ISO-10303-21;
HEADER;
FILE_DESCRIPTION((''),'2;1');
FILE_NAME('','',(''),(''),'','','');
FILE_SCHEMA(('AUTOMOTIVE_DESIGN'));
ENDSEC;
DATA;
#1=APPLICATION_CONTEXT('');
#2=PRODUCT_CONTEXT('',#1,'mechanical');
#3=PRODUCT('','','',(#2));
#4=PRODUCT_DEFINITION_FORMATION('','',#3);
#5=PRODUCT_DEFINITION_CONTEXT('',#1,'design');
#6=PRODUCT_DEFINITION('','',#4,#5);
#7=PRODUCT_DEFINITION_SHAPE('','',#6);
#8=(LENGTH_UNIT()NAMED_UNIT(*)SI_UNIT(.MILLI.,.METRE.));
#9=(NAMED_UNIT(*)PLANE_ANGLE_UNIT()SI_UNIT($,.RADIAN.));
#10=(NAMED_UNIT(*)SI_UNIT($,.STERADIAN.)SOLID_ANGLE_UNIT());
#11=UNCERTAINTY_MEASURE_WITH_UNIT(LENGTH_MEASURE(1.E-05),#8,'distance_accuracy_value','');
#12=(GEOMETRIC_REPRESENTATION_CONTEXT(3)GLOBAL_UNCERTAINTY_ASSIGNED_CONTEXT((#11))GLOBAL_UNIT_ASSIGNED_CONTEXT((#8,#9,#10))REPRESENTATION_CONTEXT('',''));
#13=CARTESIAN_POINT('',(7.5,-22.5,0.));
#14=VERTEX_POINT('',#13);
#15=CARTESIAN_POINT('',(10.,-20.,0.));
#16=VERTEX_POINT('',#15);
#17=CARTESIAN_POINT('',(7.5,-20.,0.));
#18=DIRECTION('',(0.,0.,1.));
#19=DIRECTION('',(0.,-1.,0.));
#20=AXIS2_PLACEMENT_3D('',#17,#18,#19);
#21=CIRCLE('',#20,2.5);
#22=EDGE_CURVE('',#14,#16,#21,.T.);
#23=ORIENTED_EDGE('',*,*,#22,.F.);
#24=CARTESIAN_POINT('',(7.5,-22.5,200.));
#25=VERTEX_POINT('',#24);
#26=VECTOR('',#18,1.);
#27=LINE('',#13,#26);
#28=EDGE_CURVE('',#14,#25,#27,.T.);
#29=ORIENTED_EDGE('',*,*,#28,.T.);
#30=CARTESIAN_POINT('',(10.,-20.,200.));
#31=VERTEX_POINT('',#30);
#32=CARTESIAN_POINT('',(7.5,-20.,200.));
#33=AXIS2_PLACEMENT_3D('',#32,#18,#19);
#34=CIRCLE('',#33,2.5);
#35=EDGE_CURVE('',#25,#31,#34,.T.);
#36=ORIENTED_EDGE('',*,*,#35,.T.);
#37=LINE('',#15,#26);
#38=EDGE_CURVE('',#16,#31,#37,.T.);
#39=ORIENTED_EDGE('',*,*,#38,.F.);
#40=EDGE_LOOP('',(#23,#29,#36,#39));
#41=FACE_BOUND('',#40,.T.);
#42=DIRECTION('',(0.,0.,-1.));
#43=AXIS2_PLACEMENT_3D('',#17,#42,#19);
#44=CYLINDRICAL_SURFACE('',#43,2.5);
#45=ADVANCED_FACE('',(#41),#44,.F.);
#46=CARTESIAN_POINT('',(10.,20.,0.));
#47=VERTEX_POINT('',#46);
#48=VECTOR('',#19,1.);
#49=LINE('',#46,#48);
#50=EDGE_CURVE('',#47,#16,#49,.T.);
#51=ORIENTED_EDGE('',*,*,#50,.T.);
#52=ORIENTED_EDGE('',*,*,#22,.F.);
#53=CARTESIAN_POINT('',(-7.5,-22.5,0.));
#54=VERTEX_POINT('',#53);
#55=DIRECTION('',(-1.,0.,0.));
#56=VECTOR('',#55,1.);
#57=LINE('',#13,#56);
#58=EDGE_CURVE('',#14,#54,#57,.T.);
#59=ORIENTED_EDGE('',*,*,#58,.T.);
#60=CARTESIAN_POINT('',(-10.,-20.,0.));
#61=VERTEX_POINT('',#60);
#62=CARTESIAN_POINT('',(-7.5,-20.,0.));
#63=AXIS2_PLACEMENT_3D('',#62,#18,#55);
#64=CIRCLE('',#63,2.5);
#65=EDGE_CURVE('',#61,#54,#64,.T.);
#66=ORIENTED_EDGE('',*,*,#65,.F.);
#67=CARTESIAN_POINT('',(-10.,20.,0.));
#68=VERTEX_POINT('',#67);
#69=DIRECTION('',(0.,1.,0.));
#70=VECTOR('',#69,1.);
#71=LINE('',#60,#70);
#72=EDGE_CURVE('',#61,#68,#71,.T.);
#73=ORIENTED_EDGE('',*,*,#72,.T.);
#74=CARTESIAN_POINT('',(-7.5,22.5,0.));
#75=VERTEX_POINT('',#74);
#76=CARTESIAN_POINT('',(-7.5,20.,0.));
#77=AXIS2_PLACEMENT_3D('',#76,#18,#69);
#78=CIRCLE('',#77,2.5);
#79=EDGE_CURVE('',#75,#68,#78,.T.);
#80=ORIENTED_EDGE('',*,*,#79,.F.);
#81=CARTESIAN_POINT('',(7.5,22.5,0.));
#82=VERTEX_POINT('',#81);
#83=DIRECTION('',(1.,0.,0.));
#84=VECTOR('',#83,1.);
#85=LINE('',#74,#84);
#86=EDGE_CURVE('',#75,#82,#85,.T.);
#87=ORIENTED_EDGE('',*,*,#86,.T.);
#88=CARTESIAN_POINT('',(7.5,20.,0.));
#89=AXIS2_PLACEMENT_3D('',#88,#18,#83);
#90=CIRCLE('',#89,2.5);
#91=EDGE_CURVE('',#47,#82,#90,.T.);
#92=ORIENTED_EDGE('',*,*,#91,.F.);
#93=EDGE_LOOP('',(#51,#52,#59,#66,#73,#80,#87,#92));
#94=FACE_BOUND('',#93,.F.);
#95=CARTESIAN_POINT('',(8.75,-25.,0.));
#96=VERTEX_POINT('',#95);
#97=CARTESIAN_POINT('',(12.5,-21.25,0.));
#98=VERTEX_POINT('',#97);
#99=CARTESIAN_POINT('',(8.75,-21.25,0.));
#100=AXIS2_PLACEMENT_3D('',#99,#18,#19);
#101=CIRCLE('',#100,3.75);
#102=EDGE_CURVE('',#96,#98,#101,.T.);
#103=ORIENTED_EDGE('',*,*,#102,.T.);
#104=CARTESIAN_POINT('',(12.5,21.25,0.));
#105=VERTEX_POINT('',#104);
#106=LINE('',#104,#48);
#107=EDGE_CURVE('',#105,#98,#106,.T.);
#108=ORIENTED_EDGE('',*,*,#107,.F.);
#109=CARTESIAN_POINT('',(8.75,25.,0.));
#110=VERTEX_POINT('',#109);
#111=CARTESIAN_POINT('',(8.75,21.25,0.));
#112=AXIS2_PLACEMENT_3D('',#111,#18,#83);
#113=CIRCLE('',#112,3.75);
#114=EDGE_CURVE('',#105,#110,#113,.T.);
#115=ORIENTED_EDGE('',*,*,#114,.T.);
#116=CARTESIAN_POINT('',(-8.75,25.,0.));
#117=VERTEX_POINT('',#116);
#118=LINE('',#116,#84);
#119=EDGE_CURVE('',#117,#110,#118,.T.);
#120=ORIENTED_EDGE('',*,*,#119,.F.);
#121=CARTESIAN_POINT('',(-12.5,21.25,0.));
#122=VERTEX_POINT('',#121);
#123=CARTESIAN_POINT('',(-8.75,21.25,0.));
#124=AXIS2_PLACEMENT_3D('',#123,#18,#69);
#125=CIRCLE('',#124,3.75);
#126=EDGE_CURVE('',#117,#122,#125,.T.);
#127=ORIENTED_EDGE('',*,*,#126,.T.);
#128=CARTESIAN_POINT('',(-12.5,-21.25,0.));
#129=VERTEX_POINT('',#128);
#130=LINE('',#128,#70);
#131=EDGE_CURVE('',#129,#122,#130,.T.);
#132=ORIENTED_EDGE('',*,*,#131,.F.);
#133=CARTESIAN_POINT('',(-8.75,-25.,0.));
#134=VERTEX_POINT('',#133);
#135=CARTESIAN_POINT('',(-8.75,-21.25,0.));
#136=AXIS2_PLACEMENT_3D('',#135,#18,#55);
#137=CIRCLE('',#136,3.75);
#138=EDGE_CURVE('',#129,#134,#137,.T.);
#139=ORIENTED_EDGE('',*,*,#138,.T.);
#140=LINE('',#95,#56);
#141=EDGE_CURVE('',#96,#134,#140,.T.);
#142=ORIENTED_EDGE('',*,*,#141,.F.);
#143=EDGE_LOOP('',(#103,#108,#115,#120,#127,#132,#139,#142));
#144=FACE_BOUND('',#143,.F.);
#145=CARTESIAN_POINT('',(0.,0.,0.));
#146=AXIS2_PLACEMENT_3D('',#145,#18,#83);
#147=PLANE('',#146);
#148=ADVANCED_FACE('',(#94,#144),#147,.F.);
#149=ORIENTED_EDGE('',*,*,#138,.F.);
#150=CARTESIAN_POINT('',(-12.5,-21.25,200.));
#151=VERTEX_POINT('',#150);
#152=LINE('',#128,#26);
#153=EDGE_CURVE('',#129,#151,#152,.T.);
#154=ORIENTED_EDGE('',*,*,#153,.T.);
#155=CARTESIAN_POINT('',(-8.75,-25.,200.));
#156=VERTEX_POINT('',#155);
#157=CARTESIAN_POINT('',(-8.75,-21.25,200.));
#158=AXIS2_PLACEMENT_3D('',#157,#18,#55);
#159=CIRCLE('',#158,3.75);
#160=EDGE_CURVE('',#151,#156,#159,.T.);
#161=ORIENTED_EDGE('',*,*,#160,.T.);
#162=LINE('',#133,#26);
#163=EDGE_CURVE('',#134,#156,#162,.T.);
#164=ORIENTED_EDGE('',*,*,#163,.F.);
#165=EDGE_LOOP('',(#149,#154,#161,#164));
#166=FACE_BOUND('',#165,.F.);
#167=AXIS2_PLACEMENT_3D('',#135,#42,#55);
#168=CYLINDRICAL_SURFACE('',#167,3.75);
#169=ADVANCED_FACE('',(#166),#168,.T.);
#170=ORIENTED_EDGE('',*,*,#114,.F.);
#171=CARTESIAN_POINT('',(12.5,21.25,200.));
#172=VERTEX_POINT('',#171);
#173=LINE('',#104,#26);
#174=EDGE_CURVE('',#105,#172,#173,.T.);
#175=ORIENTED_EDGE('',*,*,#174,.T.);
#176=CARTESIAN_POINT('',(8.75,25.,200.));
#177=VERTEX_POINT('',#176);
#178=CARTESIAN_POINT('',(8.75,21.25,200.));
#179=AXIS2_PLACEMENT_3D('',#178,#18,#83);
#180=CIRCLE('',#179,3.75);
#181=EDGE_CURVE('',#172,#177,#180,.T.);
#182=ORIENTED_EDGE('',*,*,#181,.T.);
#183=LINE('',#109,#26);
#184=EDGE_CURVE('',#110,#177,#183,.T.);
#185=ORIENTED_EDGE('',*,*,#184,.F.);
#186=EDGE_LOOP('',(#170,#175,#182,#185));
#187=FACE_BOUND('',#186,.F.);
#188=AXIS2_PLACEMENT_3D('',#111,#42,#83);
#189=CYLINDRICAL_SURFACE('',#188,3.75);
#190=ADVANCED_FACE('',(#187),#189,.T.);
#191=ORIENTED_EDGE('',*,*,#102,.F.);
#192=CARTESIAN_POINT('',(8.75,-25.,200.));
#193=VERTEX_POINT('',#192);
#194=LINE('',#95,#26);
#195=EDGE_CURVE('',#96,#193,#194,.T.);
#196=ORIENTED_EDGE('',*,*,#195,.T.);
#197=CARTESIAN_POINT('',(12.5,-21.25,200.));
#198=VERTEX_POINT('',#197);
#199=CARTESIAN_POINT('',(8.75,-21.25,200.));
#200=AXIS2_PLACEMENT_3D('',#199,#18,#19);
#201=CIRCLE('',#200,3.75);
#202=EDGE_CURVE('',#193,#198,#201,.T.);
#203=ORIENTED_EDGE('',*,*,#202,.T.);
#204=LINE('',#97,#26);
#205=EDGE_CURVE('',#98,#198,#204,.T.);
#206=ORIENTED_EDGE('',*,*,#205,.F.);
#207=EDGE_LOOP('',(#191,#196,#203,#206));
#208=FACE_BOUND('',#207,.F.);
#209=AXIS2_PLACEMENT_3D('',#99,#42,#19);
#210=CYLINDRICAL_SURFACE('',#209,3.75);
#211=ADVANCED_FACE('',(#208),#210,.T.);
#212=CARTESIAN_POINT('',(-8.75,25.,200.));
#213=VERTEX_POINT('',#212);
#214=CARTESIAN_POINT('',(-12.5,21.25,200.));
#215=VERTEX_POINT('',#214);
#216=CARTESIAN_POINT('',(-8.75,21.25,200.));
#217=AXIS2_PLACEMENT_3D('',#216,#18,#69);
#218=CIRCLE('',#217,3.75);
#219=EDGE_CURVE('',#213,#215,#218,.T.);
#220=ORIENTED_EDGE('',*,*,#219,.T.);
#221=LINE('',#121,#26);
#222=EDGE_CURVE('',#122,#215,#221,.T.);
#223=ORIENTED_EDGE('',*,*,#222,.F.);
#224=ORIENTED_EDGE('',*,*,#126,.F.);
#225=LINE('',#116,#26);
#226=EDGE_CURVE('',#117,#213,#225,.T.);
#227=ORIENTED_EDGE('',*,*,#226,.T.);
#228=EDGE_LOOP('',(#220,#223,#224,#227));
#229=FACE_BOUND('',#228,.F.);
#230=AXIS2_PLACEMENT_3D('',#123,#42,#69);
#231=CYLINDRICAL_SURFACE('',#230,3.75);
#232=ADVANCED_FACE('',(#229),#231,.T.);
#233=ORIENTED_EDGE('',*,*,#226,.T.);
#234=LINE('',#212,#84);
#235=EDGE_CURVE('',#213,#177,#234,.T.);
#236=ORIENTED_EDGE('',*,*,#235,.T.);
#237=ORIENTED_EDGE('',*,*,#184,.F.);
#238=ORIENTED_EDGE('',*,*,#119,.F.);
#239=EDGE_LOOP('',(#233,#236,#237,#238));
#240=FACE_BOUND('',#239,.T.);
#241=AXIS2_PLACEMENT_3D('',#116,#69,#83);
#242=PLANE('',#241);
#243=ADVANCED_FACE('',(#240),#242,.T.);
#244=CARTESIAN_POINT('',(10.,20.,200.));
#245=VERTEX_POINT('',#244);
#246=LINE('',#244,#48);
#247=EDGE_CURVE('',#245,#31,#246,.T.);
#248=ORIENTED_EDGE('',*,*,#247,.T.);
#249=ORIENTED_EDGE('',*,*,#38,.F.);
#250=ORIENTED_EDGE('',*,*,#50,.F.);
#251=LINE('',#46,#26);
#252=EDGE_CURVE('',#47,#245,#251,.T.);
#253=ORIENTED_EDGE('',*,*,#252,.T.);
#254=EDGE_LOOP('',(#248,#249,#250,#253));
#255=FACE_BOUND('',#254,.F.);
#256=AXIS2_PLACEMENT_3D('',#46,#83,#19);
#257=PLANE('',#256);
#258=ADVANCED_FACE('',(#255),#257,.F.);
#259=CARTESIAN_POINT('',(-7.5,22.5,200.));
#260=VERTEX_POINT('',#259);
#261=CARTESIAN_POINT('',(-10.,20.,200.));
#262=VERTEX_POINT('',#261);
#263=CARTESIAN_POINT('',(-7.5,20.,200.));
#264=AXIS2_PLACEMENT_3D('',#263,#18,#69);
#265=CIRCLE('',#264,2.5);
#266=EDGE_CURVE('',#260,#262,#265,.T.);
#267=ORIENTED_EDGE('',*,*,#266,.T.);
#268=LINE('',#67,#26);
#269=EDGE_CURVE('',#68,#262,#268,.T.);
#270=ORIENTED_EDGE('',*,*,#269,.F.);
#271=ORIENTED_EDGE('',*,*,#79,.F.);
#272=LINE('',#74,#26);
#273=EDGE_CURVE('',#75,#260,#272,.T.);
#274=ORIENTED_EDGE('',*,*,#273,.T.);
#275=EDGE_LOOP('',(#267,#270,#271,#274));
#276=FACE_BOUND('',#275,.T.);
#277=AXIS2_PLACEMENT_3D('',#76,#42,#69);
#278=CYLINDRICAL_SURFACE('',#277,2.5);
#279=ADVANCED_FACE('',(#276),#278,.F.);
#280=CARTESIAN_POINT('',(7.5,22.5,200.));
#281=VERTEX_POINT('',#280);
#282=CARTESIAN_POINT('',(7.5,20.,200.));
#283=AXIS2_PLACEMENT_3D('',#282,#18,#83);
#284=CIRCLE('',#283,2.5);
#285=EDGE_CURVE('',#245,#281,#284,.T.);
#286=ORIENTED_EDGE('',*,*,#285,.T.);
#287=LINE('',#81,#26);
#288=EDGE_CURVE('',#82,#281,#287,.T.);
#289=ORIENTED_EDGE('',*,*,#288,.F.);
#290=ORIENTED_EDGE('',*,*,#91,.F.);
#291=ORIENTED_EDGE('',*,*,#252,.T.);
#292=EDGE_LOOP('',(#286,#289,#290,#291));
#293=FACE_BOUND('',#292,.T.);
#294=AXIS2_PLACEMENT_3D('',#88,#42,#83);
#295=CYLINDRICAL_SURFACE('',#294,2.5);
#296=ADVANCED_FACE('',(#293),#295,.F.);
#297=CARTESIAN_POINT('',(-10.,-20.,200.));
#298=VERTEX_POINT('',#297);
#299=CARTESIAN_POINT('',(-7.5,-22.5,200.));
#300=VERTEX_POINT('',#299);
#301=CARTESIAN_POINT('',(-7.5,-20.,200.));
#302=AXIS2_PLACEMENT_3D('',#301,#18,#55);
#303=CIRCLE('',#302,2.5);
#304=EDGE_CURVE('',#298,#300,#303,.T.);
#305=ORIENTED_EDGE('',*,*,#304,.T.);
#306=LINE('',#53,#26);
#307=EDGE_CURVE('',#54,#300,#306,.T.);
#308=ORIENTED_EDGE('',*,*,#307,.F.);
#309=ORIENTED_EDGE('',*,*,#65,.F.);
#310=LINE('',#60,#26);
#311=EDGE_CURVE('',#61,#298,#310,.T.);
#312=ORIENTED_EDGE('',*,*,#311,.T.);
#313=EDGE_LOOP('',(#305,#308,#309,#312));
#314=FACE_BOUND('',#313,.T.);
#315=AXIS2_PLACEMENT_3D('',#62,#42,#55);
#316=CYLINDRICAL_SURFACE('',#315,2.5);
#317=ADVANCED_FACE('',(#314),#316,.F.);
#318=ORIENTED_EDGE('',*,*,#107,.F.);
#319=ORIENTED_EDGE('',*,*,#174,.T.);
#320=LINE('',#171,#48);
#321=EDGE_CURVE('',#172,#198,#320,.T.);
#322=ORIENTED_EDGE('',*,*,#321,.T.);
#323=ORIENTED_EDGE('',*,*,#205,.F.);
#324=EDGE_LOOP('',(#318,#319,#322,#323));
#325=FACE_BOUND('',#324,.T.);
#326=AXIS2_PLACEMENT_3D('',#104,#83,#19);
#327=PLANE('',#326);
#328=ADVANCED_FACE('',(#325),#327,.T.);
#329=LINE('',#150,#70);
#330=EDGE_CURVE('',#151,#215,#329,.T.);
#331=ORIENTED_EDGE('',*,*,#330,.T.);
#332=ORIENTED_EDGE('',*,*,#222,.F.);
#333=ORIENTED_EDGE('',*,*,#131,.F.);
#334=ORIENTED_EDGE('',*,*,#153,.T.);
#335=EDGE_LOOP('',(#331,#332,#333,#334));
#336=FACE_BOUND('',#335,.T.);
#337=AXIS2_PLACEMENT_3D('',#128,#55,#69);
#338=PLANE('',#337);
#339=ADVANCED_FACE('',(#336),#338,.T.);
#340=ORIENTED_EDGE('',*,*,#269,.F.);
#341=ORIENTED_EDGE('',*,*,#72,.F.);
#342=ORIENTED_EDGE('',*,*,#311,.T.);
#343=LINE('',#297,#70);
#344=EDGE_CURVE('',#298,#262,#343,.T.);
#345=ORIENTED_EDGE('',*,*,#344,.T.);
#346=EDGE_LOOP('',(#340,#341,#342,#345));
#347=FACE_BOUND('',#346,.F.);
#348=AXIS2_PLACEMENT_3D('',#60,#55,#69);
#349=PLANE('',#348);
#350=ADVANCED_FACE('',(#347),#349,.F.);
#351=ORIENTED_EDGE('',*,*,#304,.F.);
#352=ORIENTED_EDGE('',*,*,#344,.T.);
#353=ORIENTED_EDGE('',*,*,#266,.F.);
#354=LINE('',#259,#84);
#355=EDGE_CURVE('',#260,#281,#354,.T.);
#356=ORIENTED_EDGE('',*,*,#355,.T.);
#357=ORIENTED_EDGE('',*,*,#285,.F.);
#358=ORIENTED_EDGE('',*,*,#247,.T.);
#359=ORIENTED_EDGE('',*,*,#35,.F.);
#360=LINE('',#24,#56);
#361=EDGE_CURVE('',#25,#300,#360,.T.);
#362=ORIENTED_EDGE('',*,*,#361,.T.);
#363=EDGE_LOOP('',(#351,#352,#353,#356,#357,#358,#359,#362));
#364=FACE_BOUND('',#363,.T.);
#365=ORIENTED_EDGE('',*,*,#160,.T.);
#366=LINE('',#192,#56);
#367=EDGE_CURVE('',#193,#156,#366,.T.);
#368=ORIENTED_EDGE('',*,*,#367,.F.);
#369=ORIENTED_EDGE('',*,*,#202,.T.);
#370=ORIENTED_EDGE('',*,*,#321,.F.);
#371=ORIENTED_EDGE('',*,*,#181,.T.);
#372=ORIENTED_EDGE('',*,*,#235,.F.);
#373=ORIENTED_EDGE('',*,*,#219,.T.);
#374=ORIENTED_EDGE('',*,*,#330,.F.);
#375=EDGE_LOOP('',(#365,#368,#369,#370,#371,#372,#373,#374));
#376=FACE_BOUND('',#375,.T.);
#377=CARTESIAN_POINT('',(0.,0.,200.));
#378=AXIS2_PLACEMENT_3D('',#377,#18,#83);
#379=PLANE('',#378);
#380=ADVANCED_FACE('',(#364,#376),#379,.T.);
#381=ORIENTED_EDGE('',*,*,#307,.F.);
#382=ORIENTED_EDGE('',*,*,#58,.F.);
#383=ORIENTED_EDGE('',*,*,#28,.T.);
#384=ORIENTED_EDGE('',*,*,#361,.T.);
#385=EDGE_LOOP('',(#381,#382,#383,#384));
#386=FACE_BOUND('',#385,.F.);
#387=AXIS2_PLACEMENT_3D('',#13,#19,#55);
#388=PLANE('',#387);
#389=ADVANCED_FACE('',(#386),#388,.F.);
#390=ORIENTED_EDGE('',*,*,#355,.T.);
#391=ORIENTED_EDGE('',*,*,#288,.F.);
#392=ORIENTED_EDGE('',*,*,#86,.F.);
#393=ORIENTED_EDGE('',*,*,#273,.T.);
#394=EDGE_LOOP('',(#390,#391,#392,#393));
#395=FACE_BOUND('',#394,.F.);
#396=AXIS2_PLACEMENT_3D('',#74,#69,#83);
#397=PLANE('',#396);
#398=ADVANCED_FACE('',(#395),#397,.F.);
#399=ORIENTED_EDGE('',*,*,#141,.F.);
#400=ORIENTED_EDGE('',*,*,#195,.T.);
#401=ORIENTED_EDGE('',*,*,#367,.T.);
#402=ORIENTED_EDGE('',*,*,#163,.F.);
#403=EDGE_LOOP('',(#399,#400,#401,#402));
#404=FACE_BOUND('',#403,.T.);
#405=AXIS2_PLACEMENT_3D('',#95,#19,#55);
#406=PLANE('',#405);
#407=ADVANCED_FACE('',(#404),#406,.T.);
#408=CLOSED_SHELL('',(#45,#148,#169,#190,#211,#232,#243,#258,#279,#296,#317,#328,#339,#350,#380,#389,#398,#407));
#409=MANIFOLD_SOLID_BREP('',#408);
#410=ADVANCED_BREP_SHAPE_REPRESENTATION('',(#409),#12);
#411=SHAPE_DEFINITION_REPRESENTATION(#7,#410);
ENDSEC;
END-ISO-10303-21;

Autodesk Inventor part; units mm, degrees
ref_plane "YZ Plane" through (0, 0, 0) normal (1, 0, 0) x (0, 1, 0)
ref_plane "Plano inicial" through (0, 0, 0) normal (0, 0, 1) x (1, 0, 0)
ref_plane "Plano final" through (0, 0, 200) normal (0, 0, 1) x (1, 0, 0)
sketch "Esboço" plane through (0, 0, 0) normal (0, 0, 1) x (1, 0, 0)
  line L0 (-12.5, -21.25) -> (-12.5, 21.25)
  line L1 (-8.75, 25) -> (8.75, 25)
  line L2 (12.5, 21.25) -> (12.5, -21.25)
  line L3 (8.75, -25) -> (-8.75, -25)
  arc A0 (-12.5, -21.25) -> (-8.75, -25) centre (-8.75, -21.25) ccw
  arc A1 (-8.75, 25) -> (-12.5, 21.25) centre (-8.75, 21.25) ccw
  arc A2 (12.5, 21.25) -> (8.75, 25) centre (8.75, 21.25) ccw
  arc A3 (8.75, -25) -> (12.5, -21.25) centre (8.75, -21.25) ccw
  line L4 (-7.5, 22.5) -> (7.5, 22.5)
  line L5 (10, 20) -> (10, -20)
  line L6 (7.5, -22.5) -> (-7.5, -22.5)
  line L7 (-10, -20) -> (-10, 20)
  line L8 (0, 36.0873) -> (0, -36.0873) construction
  line L9 (-18.5873, 0) -> (18.5873, 0) construction
  arc A4 (-10, -20) -> (-7.5, -22.5) centre (-7.5, -20) ccw
  arc A5 (-7.5, 22.5) -> (-10, 20) centre (-7.5, 20) ccw
  arc A6 (10, 20) -> (7.5, 22.5) centre (7.5, 20) ccw
  arc A7 (7.5, -22.5) -> (10, -20) centre (7.5, -20) ccw
  dimension "d7" = 3.75
  dimension "d10" = 50
  dimension "d11" = 25
  dimension "d12" = 2.5
  dimension "d15" = 25
  dimension "d16" = 12.5
  dimension "d19" = 2.5
  dimension "d20" = 2.5
extrude "Corpo" add sketch "Esboço" along normal up to surface (200 mm away) from surface at 0
sketch "Sketch3" plane through (0, 0, 0) normal (0, 0, 1) x (1, 0, 0)
  line L0 (0, 0) -> (10, 0)
ref_plane "Work Plane3" through (0, 0, 0) normal (0, -1, 0) x (1, 0, 0)
sketch "Sketch4" plane through (0, 0, 0) normal (0, -1, 0) x (1, 0, 0)
  line L0 (-2, 0) -> (12, 0)
  line L1 (-2, 200) -> (12, 200)
  dimension "d18" = 200
equation "\"d7\" = G_IR"
equation "\"d10\" = G_H"
equation "\"d11\" = G_W"
equation "\"d12\" = G_T"
equation "\"d15\" = 0.5 * d10"
equation "\"d16\" = 0.5 * d11"
equation "\"d19\" = G_T"
equation "\"d20\" = G_T"
equation "\"d3\" = G_L"
equation "\"G_W\" = 25"
equation "\"G_H\" = 50"
equation "\"G_T\" = 2.5"
equation "\"G_IR\" = 3.75"
equation "\"G_L\" = d18"
equation "\"G_OFFSET_START\" = 0"
equation "\"G_OFFSET_END\" = 0"
properties part number "EN 10210-2 - 50 x 25 x 2,5 - 200" material "Aço, suave"
